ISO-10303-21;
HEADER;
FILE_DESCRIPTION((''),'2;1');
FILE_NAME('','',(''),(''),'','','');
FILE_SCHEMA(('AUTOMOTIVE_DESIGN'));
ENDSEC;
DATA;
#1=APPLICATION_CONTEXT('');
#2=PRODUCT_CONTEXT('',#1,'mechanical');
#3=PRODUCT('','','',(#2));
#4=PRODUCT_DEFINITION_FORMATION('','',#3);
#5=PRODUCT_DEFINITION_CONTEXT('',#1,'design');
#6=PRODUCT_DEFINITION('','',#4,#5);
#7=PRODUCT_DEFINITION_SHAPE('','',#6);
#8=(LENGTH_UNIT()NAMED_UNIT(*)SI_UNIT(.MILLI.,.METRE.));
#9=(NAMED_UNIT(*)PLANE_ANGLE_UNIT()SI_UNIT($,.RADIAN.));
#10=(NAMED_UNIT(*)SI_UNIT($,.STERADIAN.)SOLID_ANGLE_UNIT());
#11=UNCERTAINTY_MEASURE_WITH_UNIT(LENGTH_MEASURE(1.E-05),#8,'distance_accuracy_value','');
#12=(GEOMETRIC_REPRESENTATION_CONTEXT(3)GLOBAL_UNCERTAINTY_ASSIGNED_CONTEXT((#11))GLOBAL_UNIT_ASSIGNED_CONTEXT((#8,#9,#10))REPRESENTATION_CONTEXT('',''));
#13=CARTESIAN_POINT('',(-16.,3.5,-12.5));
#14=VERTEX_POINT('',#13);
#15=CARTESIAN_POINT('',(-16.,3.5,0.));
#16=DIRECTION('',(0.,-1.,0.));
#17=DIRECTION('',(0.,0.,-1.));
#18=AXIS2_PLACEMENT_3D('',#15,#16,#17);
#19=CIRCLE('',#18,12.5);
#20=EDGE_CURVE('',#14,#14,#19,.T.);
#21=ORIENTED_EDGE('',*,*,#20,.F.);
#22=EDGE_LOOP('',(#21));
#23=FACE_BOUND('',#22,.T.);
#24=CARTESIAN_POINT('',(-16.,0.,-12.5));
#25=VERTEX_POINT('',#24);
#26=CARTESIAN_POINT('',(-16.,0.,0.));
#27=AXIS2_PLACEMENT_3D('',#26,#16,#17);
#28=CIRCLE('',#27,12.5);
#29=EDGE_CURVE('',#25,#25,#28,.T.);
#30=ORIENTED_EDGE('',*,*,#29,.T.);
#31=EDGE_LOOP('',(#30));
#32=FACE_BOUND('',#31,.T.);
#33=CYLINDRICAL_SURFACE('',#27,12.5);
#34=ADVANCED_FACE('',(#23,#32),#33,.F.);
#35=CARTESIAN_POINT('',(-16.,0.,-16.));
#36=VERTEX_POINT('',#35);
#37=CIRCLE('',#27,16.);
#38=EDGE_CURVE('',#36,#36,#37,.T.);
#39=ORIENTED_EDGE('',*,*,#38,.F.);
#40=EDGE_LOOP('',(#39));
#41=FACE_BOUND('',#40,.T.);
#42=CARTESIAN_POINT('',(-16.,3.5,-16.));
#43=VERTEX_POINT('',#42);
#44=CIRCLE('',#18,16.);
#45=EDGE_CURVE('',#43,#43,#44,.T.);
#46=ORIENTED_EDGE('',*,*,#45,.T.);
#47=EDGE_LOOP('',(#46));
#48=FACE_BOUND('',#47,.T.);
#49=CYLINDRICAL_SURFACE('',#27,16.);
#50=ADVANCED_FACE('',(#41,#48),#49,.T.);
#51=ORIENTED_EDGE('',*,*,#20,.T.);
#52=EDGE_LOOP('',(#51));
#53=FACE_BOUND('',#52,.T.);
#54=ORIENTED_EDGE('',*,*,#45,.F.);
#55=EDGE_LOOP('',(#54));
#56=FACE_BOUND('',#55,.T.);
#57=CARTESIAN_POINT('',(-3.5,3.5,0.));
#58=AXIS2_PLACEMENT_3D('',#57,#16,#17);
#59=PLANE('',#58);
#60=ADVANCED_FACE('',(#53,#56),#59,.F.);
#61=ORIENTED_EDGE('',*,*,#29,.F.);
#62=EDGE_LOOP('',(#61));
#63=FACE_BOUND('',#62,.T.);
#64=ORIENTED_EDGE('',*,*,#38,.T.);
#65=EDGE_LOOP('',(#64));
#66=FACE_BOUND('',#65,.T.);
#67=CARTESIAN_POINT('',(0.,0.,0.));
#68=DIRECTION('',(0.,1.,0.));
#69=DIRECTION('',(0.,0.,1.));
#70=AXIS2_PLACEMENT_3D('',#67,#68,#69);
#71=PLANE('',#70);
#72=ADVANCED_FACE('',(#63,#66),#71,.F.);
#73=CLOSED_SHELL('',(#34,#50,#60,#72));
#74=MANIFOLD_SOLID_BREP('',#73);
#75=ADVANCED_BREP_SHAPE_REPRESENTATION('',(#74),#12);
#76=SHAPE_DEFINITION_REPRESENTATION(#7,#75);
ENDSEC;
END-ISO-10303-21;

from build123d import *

# Parameters (mm, degrees)
ESQUISSE1_W = 3.5
ESQUISSE1_H = 3.5


with BuildPart() as part:
    # segment: sweep along a path in Esquisse2
    with BuildLine(Plane(origin=(0, 0, 0), x_dir=(1, 0, 0), z_dir=(0, 1, 0))) as segment_path:
        CenterArc((-16, 0), 16, 0, 360)
    # Esquisse1 → segment (sweep)
    with BuildSketch(Plane.XY):
        with Locations((-1.75, 1.75)):
            Rectangle(ESQUISSE1_W, ESQUISSE1_H)
    sweep(path=segment_path.line)


solid = part.part
